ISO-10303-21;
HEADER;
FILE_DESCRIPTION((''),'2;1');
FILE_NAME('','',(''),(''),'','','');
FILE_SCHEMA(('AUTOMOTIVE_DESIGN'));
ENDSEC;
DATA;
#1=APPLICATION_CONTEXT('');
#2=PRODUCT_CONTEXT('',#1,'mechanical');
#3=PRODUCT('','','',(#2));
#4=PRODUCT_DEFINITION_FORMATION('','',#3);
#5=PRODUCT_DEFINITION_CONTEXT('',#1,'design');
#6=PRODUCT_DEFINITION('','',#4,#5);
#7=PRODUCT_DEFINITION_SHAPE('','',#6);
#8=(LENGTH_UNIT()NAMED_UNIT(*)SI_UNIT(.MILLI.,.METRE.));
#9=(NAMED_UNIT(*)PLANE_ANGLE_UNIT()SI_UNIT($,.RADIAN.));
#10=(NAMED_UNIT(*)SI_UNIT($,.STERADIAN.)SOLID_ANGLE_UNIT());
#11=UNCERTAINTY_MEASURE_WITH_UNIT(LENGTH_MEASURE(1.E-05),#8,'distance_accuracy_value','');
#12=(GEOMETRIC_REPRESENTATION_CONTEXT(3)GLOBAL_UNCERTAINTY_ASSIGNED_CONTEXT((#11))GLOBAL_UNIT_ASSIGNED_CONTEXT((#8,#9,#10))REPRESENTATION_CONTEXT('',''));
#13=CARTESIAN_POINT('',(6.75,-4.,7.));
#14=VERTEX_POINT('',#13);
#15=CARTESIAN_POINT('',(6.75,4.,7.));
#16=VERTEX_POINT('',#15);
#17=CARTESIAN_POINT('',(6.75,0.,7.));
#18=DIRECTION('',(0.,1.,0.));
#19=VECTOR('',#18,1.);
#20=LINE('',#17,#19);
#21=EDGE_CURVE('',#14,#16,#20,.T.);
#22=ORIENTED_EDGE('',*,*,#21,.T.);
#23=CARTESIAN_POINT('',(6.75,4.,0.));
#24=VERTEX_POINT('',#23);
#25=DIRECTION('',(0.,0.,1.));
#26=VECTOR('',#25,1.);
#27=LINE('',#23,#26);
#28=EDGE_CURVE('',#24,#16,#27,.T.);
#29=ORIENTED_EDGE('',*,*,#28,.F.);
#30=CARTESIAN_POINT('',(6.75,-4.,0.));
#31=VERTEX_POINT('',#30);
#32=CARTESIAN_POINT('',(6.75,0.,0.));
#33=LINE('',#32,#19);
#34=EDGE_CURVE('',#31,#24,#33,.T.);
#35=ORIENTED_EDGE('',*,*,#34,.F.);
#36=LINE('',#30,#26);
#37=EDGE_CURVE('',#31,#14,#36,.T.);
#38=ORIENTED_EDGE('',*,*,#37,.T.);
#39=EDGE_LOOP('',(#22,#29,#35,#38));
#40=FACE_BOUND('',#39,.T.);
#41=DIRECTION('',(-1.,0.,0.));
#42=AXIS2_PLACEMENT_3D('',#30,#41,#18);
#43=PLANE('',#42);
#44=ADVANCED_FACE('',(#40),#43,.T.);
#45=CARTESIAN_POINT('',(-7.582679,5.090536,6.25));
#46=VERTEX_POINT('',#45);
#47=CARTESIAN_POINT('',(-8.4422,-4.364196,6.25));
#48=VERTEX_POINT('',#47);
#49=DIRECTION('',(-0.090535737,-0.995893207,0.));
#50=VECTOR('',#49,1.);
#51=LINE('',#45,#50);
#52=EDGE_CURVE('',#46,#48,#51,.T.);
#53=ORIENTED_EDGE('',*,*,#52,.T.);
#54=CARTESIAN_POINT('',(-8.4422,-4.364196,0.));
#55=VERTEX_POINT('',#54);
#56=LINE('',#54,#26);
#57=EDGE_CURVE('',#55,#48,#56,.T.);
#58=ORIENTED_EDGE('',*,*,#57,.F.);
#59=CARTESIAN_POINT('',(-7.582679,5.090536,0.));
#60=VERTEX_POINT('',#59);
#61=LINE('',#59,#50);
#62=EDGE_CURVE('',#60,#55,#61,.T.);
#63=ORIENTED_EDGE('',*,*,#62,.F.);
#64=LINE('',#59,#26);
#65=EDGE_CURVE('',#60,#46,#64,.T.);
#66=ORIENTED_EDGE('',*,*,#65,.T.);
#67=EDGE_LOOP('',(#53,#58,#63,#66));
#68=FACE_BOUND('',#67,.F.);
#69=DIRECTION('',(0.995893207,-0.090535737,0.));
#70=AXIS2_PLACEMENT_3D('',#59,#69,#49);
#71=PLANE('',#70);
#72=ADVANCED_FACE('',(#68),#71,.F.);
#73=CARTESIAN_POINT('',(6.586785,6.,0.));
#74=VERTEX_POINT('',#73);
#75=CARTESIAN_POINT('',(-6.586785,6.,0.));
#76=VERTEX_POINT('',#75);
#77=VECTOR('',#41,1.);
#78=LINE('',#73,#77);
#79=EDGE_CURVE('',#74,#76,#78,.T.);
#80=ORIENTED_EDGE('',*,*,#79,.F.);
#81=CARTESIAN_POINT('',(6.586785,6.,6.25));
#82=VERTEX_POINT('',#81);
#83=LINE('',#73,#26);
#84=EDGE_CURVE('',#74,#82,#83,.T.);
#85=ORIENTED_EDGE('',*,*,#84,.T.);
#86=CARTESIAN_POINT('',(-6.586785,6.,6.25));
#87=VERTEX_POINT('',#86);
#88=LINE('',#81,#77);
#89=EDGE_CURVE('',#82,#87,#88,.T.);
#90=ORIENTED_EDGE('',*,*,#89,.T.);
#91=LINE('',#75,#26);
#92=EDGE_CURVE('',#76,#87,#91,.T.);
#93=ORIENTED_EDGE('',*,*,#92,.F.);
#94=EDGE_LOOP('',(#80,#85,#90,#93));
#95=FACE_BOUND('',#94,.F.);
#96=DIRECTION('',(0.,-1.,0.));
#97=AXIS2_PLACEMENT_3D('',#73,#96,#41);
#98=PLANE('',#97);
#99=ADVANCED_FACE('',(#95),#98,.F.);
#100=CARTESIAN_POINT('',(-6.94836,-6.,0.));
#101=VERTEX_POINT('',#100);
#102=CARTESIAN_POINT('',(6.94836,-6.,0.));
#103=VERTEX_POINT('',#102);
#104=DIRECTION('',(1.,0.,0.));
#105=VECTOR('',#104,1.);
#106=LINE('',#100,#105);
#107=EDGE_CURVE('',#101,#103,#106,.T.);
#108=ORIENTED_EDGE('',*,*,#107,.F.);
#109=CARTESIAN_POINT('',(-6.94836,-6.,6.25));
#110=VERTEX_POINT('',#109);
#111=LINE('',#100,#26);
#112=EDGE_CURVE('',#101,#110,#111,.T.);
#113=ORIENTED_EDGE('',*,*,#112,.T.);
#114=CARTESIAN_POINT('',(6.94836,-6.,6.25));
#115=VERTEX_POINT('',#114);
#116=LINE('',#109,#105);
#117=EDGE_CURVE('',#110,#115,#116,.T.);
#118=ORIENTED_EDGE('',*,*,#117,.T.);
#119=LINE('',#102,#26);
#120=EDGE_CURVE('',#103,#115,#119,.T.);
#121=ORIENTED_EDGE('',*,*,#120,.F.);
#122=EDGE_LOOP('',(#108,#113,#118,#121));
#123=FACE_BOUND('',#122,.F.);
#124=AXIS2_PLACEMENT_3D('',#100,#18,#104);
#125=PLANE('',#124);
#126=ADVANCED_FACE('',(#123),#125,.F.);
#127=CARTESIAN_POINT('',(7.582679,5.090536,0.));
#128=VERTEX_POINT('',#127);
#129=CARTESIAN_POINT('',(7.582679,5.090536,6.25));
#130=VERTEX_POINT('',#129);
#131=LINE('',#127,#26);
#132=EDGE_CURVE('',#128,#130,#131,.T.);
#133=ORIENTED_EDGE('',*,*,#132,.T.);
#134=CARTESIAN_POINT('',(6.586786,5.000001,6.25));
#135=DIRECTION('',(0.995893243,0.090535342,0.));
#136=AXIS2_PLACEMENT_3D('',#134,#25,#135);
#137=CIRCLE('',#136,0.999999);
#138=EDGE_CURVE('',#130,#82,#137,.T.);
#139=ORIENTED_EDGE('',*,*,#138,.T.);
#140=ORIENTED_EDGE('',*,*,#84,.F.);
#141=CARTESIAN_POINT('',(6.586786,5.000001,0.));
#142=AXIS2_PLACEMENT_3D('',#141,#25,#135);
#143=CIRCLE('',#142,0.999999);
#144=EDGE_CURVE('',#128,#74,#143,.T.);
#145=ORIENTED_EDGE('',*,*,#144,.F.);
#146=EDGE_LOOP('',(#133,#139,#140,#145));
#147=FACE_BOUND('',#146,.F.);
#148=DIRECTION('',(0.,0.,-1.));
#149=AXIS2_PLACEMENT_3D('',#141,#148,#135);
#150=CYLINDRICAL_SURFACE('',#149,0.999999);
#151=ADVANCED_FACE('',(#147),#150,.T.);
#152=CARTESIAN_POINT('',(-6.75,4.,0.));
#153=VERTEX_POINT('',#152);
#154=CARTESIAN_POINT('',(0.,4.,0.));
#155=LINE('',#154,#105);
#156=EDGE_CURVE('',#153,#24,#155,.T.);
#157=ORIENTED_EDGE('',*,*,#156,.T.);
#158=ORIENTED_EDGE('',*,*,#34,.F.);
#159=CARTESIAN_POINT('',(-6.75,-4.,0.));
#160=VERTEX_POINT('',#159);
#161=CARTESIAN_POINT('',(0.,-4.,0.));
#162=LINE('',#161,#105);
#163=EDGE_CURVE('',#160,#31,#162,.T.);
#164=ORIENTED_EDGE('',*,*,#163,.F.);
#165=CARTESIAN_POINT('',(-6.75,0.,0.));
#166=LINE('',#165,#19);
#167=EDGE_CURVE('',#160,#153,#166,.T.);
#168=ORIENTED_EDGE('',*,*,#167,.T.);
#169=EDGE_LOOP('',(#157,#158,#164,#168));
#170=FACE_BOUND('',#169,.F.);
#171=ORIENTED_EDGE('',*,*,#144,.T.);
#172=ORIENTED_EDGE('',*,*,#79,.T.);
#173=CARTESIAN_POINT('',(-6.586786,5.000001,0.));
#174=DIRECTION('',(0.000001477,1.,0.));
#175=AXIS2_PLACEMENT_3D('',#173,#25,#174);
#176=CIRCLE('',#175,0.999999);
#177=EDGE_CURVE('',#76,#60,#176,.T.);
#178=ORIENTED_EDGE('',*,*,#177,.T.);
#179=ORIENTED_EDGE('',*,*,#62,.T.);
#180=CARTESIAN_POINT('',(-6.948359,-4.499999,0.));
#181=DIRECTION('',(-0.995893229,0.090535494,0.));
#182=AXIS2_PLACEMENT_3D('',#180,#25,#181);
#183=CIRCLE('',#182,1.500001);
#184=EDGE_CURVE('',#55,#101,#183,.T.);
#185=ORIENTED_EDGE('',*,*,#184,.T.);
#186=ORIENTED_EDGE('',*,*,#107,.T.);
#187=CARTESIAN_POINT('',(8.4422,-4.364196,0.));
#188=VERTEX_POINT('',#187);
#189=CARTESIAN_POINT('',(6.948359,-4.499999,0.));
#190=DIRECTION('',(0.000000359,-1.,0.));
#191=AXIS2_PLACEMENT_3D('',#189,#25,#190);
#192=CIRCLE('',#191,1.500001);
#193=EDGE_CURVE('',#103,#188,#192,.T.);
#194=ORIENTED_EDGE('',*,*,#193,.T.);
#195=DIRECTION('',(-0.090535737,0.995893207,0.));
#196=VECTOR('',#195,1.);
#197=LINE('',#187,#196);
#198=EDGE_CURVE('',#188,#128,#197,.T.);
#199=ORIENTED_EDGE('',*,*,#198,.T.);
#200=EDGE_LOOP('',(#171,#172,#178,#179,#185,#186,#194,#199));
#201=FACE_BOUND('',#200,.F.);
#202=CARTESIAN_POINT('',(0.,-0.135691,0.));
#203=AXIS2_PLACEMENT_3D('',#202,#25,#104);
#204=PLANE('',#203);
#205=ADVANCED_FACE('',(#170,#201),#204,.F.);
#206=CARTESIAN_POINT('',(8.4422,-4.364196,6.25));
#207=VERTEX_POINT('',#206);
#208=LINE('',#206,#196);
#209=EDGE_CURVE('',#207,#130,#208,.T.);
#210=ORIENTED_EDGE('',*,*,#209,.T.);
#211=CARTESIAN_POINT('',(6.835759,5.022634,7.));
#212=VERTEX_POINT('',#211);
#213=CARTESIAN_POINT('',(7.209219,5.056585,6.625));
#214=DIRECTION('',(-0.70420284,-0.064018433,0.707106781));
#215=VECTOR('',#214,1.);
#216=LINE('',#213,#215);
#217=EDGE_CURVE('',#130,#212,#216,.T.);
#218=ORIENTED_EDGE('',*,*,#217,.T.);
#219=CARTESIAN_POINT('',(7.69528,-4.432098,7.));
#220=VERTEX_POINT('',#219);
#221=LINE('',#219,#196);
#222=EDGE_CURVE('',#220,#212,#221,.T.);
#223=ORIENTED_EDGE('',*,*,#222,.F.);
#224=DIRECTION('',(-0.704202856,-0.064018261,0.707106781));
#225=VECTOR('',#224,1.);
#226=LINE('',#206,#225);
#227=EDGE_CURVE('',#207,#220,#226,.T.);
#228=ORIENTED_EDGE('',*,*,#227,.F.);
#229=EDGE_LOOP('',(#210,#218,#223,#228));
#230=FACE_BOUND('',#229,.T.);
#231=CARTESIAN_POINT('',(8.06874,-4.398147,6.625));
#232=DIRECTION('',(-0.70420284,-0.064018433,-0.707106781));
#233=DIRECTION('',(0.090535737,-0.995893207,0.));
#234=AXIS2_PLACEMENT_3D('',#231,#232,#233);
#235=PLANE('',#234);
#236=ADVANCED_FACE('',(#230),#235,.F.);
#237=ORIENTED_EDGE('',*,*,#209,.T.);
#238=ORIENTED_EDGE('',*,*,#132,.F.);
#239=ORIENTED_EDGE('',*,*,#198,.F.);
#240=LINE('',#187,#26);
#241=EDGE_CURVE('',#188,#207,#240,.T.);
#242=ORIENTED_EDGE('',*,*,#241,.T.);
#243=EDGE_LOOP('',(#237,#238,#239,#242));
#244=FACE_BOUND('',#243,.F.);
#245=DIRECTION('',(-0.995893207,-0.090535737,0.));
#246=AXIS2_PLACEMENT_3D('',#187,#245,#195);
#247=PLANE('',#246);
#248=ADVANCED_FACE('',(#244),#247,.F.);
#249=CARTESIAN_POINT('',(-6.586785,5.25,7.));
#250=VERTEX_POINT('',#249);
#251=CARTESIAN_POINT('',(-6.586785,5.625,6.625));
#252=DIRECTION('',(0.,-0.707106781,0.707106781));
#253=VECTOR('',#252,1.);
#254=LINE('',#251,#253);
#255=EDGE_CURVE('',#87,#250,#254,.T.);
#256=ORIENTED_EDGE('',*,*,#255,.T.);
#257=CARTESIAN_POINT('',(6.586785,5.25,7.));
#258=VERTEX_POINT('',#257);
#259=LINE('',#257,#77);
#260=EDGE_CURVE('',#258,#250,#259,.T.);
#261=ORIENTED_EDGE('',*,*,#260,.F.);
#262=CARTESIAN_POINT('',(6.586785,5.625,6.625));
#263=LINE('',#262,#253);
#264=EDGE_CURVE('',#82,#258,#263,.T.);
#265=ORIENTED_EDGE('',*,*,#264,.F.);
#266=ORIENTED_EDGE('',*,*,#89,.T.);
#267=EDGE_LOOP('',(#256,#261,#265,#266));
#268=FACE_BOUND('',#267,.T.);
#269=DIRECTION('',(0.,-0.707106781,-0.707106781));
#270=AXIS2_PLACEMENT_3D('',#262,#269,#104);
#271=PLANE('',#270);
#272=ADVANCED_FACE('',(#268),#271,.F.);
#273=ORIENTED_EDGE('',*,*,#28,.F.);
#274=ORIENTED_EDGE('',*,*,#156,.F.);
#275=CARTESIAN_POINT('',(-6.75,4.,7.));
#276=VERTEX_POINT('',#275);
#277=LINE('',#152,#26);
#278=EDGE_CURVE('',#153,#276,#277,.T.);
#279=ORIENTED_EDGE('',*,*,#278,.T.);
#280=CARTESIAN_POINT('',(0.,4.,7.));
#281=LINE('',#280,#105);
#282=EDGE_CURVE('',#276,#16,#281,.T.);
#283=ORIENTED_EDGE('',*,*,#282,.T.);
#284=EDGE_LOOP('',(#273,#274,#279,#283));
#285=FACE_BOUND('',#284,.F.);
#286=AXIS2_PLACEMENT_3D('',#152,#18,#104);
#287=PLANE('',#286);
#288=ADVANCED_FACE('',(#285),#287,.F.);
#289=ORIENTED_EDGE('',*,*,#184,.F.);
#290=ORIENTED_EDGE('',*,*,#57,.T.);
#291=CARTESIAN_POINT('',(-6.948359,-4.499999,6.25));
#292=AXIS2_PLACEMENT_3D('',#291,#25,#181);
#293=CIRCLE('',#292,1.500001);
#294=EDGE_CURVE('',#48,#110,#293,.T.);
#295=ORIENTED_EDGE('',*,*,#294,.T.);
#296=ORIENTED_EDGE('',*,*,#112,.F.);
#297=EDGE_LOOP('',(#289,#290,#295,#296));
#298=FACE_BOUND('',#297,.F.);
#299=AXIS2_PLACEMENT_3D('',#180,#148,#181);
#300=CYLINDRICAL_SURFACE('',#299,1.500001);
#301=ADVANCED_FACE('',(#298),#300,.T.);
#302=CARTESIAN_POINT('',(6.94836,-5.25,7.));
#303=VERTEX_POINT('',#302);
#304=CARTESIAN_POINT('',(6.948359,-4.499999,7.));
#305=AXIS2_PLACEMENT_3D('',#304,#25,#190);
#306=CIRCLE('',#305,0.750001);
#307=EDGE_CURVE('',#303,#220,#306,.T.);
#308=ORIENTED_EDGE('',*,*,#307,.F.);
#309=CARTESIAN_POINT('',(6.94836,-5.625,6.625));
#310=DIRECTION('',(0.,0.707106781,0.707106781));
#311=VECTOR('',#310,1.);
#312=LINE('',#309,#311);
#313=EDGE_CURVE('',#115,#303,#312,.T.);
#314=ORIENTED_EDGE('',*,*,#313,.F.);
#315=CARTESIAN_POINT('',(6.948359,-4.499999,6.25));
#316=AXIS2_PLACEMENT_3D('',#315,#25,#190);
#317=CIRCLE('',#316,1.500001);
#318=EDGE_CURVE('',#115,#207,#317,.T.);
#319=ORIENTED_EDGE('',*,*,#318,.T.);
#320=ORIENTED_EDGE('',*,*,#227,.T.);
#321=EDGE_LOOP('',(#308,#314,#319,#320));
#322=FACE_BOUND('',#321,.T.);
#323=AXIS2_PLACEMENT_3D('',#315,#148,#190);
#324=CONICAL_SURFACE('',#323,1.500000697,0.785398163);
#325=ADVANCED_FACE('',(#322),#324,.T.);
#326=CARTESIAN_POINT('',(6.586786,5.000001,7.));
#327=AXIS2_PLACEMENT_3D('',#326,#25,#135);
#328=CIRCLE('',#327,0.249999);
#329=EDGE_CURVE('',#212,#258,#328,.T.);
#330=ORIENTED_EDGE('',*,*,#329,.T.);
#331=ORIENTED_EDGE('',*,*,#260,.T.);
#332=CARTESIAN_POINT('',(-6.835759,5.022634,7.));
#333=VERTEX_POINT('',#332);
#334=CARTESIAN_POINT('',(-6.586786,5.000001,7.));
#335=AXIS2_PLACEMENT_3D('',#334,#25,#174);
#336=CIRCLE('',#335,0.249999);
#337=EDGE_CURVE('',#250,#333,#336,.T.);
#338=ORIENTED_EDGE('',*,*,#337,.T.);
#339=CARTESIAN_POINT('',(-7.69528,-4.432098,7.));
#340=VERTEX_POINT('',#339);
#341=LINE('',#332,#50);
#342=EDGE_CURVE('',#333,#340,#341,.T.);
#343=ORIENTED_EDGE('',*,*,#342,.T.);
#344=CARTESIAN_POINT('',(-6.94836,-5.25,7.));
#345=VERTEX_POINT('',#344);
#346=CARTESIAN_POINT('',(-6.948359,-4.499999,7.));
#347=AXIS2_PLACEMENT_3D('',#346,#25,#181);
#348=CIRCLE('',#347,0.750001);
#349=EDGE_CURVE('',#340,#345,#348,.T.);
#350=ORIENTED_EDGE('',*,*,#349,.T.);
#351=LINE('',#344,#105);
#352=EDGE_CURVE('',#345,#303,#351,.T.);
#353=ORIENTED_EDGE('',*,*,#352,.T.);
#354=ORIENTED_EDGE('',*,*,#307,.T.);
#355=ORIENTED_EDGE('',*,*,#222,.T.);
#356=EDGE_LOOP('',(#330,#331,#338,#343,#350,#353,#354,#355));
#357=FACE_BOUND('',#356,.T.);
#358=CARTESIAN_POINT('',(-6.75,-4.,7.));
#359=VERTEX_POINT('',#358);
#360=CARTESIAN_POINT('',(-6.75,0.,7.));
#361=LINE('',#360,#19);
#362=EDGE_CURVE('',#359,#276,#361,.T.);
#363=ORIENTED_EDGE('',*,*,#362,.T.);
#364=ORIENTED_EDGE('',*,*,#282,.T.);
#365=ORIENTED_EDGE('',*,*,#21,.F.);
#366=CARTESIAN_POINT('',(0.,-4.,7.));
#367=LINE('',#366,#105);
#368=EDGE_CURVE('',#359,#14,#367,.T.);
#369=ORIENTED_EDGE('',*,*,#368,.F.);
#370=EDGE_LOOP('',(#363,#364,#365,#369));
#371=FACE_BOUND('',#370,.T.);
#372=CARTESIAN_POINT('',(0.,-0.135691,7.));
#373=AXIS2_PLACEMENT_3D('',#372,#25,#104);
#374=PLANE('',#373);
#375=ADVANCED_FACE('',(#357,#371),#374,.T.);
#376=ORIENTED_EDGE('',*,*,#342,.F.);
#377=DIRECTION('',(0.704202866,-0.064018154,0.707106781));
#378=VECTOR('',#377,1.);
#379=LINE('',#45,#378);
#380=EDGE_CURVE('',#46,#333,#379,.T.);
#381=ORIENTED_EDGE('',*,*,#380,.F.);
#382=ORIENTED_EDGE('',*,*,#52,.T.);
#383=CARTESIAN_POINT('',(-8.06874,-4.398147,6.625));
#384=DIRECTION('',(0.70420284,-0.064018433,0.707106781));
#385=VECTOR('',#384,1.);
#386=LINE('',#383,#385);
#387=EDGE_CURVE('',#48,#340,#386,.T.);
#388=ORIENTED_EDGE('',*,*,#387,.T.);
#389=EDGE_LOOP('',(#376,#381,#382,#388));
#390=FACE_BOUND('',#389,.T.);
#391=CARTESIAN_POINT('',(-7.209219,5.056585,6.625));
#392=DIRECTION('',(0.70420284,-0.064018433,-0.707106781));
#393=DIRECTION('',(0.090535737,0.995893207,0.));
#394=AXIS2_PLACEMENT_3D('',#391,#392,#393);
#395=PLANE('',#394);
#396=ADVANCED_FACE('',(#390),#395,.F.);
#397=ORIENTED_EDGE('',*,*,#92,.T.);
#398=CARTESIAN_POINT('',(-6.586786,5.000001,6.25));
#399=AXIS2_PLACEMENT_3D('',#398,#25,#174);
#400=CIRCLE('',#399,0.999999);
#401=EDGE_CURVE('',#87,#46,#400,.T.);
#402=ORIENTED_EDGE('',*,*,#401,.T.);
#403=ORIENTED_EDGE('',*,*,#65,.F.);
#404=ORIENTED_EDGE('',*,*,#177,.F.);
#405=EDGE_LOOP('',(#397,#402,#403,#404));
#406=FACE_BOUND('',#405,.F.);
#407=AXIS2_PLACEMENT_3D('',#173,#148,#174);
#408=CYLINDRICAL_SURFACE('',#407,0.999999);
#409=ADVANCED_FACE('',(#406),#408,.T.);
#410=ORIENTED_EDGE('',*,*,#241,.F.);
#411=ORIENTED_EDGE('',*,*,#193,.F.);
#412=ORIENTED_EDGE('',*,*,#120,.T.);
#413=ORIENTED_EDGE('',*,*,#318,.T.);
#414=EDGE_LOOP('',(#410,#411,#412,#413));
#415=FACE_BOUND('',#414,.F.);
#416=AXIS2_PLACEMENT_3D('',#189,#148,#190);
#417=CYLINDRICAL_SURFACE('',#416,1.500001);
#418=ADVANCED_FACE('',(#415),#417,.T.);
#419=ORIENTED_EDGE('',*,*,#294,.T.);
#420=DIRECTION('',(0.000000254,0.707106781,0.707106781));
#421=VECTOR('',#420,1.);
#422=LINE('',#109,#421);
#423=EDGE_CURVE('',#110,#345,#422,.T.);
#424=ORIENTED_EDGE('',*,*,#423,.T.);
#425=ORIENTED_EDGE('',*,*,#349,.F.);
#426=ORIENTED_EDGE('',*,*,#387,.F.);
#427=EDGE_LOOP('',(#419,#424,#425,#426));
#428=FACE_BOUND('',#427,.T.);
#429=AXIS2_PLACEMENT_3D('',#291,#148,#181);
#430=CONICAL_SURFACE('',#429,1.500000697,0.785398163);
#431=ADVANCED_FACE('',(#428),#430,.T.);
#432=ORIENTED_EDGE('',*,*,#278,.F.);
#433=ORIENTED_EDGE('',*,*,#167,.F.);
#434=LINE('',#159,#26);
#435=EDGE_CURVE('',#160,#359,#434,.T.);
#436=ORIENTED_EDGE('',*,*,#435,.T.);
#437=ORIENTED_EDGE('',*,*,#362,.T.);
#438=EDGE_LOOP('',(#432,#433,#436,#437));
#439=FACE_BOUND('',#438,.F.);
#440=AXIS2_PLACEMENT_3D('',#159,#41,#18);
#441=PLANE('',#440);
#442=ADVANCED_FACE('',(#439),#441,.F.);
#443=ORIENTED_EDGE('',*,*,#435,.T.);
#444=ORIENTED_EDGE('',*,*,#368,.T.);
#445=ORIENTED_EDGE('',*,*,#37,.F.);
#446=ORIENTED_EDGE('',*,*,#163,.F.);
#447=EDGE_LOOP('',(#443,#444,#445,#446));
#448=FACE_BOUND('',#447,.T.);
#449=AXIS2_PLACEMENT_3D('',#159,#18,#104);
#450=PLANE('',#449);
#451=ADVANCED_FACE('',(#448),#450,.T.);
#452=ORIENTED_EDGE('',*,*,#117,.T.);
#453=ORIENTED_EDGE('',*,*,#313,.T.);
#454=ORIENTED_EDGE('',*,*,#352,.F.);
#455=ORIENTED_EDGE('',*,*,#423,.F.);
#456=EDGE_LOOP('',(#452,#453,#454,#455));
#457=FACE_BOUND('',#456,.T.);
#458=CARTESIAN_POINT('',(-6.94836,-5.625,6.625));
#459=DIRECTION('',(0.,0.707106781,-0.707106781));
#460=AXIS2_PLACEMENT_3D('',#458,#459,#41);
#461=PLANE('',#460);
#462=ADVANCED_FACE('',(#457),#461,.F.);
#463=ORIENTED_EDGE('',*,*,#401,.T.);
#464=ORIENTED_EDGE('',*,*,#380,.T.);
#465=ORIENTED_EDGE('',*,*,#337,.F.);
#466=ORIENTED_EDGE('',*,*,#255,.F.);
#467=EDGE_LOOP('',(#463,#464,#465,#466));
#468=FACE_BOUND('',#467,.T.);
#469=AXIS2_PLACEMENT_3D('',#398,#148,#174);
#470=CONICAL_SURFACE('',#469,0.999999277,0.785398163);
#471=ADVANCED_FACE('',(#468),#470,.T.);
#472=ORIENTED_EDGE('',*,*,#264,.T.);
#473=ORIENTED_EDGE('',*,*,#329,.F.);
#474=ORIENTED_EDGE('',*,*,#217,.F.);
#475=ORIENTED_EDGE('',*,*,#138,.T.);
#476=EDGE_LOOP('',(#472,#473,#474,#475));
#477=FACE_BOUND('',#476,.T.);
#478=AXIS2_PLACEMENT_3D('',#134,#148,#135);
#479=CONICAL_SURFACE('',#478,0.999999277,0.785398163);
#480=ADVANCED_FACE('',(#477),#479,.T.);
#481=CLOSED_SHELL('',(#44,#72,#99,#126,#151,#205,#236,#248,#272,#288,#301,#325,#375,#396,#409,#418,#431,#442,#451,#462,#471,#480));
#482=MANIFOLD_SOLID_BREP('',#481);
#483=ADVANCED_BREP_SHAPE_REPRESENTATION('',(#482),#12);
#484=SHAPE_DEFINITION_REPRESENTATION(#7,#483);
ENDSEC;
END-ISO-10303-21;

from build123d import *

# Parameters (mm, degrees)
F0_W     = 13.5
F0_H     = 8
F1_DEPTH = 7
F2_SIZE  = 0.75


with BuildPart() as f1:
    # F0 (on Top) → F1 (new body)
    with BuildSketch(Plane.XY):
        with BuildLine():
            Line((-6.94836, -6), (6.94836, -6))
            ThreePointArc((6.94836, -6), (8.055994, -5.511507), (8.4422, -4.364196))
            Line((8.4422, -4.364196), (7.582679, 5.090536))
            ThreePointArc((7.582679, 5.090536), (7.261124, 5.738423), (6.586785, 6))
            Line((6.586785, 6), (-6.586785, 6))
            ThreePointArc((-6.586785, 6), (-7.261124, 5.738423), (-7.582679, 5.090536))
            Line((-7.582679, 5.090536), (-8.4422, -4.364196))
            ThreePointArc((-8.4422, -4.364196), (-8.055994, -5.511507), (-6.94836, -6))
        make_face()
        Rectangle(F0_W, F0_H, mode=Mode.SUBTRACT)
    extrude(amount=F1_DEPTH)

    # F2
    f2_edges = [f1.edges().sort_by_distance(p)[0] for p in [
        (0, 6, 7),
    ]]
    chamfer(f2_edges, length=F2_SIZE)


solid = f1.part
